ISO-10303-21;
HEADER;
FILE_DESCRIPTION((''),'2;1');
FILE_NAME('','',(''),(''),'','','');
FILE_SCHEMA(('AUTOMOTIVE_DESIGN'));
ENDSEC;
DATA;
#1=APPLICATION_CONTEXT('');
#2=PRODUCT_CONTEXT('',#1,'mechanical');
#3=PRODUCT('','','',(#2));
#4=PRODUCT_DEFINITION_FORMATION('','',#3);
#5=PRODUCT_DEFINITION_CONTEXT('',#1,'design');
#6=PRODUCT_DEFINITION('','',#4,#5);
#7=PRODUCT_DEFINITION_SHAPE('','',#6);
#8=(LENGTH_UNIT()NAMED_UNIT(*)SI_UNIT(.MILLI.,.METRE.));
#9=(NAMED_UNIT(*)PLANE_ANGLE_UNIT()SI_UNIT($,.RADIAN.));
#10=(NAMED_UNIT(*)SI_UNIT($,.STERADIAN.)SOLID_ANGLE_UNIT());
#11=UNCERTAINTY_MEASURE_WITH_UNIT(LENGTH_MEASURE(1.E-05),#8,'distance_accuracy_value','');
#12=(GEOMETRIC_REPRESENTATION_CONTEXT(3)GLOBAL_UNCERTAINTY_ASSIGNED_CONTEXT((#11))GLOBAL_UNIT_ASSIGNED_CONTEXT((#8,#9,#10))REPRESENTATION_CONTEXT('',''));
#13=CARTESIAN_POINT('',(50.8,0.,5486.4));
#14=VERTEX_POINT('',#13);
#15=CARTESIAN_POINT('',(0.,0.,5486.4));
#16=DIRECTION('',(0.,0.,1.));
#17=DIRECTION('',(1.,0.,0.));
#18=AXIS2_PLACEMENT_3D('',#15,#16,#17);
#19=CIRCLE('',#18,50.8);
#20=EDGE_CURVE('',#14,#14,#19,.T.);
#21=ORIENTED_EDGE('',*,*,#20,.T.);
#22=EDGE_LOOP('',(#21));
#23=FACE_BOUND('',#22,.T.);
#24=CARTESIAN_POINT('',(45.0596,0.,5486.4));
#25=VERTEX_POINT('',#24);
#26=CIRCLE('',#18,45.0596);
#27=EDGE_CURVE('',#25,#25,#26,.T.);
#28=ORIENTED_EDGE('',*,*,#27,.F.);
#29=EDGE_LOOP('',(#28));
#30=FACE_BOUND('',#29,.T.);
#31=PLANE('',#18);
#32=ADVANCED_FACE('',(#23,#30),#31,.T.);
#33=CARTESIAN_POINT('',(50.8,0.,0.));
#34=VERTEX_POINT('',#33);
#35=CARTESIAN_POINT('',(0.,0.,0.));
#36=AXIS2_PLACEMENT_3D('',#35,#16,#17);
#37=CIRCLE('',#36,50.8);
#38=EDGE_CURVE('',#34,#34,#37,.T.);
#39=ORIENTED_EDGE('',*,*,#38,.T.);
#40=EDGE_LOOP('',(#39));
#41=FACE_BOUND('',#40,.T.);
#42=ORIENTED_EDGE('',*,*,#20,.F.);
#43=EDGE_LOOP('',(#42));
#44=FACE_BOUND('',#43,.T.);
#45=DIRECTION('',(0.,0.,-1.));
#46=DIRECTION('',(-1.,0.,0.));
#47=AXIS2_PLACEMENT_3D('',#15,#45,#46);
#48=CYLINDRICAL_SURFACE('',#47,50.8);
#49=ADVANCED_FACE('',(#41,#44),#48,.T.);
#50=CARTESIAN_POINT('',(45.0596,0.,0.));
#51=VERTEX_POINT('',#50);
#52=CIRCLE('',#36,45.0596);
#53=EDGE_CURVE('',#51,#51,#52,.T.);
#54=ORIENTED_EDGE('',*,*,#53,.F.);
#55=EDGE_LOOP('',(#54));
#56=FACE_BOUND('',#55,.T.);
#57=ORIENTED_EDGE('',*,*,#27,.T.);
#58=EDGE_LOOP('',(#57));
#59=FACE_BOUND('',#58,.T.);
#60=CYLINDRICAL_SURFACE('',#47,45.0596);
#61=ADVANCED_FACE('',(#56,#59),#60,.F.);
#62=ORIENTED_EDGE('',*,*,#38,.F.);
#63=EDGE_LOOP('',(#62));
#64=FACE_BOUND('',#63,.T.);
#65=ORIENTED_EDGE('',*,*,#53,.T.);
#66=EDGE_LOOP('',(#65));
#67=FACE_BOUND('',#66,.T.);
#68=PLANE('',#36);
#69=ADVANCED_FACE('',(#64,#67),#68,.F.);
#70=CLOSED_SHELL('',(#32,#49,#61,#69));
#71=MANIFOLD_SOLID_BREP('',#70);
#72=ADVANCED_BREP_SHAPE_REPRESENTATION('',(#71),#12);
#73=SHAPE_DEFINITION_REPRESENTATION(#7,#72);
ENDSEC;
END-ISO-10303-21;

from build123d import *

# Parameters (mm, degrees)
PIPESKETCH_R    = 50.8
PIPESKETCH_R_2  = 45.0596
EXTRUSION_DEPTH = 5486.4


with BuildPart() as part:
    # PipeSketch → Extrusion (new body)
    with BuildSketch(Plane.XY):
        Circle(PIPESKETCH_R)
        Circle(PIPESKETCH_R_2, mode=Mode.SUBTRACT)
    extrude(amount=EXTRUSION_DEPTH)


solid = part.part
